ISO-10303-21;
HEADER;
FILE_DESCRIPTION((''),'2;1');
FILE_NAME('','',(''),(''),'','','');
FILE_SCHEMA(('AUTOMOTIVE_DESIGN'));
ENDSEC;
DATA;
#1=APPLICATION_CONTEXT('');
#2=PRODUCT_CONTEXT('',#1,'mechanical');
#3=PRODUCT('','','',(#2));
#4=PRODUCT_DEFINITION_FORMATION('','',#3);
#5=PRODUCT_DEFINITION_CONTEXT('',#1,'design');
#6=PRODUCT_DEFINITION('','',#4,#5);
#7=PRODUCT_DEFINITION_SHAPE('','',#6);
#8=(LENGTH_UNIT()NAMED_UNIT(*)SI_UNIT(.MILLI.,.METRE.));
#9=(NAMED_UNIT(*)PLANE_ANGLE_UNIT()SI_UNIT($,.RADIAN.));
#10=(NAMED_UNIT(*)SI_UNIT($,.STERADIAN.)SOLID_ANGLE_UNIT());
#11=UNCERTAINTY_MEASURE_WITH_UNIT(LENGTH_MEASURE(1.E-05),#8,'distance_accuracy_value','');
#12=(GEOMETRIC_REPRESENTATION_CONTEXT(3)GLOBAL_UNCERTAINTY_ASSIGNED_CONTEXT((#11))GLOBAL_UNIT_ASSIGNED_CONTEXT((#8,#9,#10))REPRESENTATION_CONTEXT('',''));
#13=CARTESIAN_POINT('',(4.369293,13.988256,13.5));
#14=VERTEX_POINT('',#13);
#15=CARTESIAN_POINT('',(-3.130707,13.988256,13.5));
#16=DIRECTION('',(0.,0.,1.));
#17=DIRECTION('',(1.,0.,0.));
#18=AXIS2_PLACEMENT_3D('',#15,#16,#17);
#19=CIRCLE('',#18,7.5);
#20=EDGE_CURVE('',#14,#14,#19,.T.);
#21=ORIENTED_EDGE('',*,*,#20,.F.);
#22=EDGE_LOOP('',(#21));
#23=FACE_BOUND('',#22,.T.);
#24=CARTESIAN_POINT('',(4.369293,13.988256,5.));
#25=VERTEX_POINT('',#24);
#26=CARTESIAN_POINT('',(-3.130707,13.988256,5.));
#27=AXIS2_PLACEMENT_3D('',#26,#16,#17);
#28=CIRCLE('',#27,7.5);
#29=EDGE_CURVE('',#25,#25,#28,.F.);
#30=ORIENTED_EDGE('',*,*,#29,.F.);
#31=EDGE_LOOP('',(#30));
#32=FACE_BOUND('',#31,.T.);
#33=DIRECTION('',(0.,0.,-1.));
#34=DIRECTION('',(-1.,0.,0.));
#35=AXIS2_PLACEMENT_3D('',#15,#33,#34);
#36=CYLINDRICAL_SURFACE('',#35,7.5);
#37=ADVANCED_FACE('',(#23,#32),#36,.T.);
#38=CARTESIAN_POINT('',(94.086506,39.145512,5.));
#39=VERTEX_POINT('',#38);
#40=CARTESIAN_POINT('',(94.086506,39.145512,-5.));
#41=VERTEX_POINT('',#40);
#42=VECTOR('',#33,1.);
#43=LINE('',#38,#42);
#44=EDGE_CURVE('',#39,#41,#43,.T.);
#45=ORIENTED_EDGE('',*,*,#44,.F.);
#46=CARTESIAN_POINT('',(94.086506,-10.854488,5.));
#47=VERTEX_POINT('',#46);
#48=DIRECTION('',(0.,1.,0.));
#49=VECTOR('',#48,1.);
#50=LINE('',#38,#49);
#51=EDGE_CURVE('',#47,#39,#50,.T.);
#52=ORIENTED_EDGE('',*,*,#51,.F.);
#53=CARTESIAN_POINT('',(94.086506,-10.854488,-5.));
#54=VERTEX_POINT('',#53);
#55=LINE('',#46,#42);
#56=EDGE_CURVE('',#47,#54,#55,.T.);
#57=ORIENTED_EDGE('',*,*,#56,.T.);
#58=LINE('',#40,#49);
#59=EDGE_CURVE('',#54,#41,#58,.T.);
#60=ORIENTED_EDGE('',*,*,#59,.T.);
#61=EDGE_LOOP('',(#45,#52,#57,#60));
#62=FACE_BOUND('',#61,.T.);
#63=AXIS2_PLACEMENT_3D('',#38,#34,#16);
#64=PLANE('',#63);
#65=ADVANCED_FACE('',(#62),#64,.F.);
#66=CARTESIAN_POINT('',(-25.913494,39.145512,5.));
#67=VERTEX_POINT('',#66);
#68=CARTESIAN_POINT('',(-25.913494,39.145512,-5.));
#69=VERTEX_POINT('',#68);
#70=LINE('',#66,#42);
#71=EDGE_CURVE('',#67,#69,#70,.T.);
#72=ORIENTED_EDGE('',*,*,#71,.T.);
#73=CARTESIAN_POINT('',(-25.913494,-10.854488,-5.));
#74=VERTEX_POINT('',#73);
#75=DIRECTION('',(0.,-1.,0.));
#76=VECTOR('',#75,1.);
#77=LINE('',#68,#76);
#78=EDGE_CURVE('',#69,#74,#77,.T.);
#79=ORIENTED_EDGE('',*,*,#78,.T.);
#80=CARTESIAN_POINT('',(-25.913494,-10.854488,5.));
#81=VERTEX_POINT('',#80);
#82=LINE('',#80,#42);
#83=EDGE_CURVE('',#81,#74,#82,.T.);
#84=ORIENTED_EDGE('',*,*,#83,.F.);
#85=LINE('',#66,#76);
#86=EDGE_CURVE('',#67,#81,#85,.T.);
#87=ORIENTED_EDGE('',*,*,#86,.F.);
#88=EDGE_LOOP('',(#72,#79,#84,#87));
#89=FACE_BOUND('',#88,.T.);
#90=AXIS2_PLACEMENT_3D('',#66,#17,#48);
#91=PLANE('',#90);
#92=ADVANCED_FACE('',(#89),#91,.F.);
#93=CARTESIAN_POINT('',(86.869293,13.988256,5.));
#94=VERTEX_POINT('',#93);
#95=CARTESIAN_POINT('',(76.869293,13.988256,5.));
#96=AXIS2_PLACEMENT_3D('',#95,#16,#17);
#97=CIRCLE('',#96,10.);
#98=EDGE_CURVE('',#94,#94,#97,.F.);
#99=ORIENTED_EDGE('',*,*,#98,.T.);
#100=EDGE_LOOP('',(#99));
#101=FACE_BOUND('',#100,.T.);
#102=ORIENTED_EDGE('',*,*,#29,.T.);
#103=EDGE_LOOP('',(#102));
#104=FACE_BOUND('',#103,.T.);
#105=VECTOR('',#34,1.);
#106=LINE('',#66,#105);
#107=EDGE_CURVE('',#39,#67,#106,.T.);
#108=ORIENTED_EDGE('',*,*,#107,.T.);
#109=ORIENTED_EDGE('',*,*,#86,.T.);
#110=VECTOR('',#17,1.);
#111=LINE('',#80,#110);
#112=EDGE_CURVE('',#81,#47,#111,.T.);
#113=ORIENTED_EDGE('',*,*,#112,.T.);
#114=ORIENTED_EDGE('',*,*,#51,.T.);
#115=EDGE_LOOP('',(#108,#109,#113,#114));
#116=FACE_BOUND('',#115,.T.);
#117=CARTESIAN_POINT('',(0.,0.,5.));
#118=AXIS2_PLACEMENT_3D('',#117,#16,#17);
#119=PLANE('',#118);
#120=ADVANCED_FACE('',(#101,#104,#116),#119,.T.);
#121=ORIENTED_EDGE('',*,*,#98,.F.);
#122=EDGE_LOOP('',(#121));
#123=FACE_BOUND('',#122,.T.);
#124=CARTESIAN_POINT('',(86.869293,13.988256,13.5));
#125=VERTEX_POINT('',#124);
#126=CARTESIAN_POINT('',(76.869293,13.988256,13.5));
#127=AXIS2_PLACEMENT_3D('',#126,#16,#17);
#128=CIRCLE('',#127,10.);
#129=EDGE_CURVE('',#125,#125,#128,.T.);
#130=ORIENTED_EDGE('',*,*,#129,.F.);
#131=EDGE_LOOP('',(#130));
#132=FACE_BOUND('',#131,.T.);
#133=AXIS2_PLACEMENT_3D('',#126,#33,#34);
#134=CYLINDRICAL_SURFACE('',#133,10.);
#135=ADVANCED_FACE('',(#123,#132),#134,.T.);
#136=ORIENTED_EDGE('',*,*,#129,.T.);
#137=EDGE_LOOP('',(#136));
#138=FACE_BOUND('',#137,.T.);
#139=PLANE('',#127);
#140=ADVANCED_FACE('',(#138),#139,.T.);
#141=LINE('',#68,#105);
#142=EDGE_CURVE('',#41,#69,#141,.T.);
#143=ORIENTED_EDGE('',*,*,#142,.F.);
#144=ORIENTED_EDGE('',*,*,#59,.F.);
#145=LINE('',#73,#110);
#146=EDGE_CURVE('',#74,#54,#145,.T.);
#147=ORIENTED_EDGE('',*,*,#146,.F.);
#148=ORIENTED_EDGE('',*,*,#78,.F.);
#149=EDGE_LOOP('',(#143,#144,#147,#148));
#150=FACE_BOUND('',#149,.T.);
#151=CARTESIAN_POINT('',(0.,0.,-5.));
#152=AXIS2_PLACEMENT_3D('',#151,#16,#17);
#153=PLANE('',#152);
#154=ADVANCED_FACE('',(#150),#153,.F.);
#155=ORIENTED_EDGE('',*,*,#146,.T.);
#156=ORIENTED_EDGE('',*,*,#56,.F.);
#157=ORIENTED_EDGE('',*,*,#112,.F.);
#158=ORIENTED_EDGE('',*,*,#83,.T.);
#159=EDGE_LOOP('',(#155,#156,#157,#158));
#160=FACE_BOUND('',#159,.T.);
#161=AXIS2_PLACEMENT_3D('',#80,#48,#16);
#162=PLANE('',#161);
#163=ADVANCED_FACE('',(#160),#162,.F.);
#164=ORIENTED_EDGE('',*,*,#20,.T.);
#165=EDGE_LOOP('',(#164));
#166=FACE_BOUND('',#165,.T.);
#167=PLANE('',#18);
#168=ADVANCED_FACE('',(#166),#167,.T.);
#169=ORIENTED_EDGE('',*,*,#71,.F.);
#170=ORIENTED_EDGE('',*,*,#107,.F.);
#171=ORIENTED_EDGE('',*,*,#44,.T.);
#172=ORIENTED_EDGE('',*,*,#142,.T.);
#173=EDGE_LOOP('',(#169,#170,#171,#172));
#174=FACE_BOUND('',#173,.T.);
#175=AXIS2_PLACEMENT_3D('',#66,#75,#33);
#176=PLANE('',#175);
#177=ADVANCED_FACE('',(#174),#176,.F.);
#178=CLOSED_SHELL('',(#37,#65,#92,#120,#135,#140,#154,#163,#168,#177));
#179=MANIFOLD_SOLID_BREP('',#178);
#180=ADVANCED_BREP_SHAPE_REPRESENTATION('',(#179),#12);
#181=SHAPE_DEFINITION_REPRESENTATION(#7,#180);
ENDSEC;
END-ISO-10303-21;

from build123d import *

# Parameters (mm, degrees)
SKETCH_1_W      = 120
SKETCH_1_H      = 50
EXTRUDE_1_DEPTH = 5
SKETCH_2_R      = 7.5
SKETCH_2_R_2    = 10
EXTRUDE_2_DEPTH = 8.5


with BuildPart() as part:
    # 草图1 → 凸台-拉伸1 (new, symmetric)
    with BuildSketch(Plane.XY):
        with Locations((34.086506066, 14.145511968)):
            Rectangle(SKETCH_1_W, SKETCH_1_H)
    extrude(amount=EXTRUDE_1_DEPTH, both=True)

    # 草图2 → 凸台-拉伸2 (add, symmetric)
    with BuildSketch(Plane.XY.offset(5)):
        with Locations((-3.130706557, 13.98825614)):
            Circle(SKETCH_2_R)
        with Locations((76.869293443, 13.98825614)):
            Circle(SKETCH_2_R_2)
    extrude(amount=EXTRUDE_2_DEPTH, both=True)


solid = part.part
